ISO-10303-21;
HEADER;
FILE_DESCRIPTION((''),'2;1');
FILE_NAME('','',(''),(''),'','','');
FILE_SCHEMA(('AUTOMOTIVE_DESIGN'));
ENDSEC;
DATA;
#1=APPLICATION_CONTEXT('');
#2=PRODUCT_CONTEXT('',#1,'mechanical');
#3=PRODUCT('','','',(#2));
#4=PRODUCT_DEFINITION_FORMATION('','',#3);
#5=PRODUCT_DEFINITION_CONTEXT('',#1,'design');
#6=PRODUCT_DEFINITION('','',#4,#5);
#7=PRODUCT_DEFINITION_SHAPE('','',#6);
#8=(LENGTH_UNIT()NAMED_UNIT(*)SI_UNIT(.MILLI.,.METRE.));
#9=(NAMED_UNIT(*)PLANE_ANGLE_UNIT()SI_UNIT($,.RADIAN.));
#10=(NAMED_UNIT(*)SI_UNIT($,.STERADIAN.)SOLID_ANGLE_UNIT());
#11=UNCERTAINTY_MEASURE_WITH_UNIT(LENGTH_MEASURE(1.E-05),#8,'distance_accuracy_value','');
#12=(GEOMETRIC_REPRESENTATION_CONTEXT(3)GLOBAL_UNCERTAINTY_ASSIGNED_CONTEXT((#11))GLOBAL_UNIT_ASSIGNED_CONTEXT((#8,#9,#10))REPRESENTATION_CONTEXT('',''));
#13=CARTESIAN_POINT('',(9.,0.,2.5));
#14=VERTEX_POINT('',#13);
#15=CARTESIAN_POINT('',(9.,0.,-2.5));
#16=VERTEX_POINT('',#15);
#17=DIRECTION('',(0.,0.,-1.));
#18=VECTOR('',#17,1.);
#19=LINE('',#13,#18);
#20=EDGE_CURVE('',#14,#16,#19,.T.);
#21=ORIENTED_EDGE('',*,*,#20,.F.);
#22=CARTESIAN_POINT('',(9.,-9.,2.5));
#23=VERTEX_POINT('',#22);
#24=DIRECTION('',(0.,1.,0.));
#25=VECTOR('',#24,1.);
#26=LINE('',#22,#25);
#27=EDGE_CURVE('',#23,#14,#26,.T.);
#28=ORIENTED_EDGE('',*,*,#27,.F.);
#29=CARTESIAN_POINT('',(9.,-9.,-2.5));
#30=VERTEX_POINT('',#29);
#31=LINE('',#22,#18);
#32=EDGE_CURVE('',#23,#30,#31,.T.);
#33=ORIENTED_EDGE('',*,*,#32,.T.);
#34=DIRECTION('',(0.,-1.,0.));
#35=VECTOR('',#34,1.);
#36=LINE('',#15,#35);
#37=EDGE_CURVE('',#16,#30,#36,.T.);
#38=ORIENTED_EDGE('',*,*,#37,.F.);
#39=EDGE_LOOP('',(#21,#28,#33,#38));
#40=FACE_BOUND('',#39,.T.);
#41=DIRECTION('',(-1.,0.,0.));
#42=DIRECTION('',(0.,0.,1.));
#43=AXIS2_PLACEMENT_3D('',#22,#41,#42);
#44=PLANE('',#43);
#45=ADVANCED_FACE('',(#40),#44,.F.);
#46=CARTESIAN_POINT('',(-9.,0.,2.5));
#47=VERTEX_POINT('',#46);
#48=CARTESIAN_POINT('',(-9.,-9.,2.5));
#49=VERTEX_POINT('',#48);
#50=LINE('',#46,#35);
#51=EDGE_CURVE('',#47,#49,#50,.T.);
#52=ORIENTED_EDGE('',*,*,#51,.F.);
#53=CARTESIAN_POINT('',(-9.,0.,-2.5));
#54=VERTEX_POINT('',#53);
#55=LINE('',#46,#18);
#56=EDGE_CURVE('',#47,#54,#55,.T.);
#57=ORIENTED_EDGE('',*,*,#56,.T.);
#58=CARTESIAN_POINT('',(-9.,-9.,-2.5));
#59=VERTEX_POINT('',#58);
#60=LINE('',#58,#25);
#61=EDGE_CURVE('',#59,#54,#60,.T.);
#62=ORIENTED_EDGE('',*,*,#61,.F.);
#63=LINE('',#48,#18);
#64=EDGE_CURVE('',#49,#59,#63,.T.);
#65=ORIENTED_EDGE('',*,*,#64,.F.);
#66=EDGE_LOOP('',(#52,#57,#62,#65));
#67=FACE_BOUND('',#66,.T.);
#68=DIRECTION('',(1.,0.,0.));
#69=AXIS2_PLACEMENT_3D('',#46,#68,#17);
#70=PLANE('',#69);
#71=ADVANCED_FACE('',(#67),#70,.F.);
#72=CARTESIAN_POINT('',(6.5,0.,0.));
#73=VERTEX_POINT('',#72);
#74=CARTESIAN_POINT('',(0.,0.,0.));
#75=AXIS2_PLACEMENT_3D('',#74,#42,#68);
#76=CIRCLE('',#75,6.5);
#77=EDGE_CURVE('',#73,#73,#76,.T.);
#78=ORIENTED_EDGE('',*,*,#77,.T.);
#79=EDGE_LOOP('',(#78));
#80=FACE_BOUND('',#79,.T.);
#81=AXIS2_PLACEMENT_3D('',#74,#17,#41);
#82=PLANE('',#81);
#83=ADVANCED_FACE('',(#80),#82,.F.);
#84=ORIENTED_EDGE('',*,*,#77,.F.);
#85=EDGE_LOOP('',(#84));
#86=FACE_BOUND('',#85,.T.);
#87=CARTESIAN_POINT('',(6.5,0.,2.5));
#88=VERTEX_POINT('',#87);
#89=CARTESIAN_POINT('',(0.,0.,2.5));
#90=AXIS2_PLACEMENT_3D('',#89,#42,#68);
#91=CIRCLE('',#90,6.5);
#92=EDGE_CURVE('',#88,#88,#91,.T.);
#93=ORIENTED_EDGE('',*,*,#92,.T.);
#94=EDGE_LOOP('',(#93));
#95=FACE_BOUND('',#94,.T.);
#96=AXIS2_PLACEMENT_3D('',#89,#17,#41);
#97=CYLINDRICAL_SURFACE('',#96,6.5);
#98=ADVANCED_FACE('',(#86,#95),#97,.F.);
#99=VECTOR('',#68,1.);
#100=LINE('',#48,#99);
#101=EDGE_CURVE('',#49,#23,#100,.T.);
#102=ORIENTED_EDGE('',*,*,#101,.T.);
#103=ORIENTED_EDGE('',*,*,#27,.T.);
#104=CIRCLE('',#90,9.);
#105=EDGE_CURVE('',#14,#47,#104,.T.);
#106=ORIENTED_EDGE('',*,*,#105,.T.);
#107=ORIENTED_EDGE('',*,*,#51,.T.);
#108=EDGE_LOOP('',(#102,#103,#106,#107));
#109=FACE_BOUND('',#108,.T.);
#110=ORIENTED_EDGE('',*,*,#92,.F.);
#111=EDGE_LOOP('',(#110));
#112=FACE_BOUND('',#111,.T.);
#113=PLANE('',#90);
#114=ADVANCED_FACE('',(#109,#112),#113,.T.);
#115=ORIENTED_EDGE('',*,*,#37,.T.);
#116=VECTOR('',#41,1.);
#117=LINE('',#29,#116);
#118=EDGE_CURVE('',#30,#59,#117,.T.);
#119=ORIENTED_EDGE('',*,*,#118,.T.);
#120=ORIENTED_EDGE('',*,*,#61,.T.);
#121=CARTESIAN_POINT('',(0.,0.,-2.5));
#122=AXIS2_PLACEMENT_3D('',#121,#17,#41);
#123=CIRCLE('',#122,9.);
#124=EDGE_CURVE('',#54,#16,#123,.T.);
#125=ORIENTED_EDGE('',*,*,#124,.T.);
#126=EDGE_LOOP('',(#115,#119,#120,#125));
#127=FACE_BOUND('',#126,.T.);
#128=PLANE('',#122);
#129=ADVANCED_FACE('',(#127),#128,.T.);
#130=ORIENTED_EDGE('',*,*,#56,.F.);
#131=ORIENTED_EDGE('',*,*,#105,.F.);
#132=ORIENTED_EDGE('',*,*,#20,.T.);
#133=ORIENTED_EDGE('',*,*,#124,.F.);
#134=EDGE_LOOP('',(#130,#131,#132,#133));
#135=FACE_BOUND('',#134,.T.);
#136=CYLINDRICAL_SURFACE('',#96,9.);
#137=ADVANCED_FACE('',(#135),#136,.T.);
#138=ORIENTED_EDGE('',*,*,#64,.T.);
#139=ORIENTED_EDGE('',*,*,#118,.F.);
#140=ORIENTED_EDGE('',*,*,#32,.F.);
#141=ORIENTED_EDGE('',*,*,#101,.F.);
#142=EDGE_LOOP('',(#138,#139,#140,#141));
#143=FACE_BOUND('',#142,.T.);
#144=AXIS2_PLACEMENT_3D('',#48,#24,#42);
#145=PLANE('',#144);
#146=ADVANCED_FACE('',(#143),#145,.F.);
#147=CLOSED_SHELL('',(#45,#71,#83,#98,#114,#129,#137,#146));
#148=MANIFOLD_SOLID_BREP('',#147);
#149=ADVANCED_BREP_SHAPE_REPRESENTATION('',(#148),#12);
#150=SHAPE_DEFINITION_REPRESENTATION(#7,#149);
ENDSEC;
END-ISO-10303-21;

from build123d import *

# Parameters (mm, degrees)
SKETCH_1_R      = 6.5
EXTRUDE_1_DEPTH = 2.5
EXTRUDE_START   = 2.5
EXTRUDE_2_DEPTH = 2.5


with BuildPart() as part:
    # 草图1 → 凸台-拉伸1 (new body)
    with BuildSketch(Plane.XY):
        with BuildLine():
            Line((-9, 0), (-9, -9))
            Line((-9, -9), (9, -9))
            Line((9, -9), (9, 0))
            ThreePointArc((9, 0), (0, 9), (-9, 0))
        make_face()
        Circle(SKETCH_1_R, mode=Mode.SUBTRACT)
    extrude(amount=EXTRUDE_1_DEPTH)

    # 草图2 → 凸台-拉伸2 (add)
    with BuildSketch(Plane(origin=(0, 0, 0), x_dir=(-1, 0, 0), z_dir=(0, 0, -1)).offset(EXTRUDE_START)):
        with BuildLine():
            Line((-9, 0), (-9, -9))
            Line((-9, -9), (9, -9))
            Line((9, -9), (9, 0))
            ThreePointArc((9, 0), (0, 9), (-9, 0))
        make_face()
    extrude(amount=-EXTRUDE_2_DEPTH)


solid = part.part
